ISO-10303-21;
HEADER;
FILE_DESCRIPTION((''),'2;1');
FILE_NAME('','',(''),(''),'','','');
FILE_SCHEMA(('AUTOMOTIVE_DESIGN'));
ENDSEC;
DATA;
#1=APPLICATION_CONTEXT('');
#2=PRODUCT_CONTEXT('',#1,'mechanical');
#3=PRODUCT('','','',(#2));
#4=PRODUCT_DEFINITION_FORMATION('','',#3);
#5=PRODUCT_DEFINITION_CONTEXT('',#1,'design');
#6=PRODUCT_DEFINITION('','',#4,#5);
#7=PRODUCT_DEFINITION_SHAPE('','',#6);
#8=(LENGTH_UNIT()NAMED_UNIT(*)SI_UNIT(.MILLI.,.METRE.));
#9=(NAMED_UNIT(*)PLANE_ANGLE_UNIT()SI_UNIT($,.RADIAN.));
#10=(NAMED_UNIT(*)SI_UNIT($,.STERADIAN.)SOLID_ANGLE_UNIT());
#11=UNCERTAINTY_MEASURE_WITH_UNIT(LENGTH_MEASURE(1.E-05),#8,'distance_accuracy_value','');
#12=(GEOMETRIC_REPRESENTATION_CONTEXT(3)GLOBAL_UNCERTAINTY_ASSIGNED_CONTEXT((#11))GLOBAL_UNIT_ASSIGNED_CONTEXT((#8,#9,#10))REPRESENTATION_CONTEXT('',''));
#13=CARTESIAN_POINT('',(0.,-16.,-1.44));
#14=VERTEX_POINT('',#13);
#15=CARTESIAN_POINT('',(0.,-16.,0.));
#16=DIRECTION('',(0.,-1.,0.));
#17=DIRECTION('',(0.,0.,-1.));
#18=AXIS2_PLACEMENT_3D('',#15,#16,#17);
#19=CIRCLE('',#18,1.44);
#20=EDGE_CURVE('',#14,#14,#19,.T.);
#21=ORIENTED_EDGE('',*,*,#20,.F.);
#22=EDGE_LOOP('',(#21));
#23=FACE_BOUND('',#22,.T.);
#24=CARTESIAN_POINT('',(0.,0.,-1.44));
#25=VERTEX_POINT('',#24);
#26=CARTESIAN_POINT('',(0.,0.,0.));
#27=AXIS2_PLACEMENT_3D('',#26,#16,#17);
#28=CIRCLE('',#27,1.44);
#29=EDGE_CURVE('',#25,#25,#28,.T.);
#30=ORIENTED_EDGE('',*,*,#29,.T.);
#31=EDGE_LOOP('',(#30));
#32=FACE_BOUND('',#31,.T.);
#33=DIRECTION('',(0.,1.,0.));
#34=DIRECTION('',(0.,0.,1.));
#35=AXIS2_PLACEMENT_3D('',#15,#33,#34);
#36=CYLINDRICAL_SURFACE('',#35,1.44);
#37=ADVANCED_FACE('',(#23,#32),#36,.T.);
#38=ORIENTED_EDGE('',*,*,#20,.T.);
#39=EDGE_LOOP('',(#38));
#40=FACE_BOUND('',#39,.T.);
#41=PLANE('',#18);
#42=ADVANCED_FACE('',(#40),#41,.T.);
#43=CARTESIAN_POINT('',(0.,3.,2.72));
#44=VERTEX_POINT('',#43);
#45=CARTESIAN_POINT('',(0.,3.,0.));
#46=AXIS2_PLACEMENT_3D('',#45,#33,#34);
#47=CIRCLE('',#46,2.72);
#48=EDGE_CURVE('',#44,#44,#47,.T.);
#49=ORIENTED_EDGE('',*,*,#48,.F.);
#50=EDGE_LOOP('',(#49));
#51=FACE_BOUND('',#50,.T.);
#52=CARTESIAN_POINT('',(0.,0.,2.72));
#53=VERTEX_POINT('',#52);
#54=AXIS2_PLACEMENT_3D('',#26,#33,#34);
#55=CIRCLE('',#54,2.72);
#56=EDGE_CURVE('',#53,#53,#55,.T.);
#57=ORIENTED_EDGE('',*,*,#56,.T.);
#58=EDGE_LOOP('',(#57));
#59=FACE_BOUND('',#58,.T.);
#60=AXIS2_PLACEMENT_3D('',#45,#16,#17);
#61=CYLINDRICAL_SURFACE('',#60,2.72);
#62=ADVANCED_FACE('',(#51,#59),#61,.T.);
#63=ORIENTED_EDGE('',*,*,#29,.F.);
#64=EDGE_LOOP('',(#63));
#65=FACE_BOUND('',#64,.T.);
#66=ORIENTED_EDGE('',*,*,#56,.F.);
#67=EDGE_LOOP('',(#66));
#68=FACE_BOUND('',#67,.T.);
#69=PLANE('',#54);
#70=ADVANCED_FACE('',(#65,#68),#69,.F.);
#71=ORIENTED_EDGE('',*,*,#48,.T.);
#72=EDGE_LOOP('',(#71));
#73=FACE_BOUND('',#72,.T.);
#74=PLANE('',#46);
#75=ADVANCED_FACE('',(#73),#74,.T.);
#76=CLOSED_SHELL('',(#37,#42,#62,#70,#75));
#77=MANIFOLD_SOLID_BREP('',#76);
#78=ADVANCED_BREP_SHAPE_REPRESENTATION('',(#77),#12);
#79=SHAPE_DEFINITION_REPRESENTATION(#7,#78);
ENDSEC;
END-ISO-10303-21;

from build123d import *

# Parameters (mm, degrees)
SKETCH1_R           = 2.72
BOSS_EXTRUDE1_DEPTH = 3
SKETCH2_R           = 1.44
BOSS_EXTRUDE2_DEPTH = 16


with BuildPart() as part:
    # Sketch1 → Boss-Extrude1 (new body)
    with BuildSketch(Plane(origin=(0, 0, 0), x_dir=(1, 0, 0), z_dir=(0, 1, 0))):
        Circle(SKETCH1_R)
    extrude(amount=BOSS_EXTRUDE1_DEPTH)

    # Sketch2 → Boss-Extrude2 (add)
    with BuildSketch(Plane.XZ):
        Circle(SKETCH2_R)
    extrude(amount=BOSS_EXTRUDE2_DEPTH)


solid = part.part
